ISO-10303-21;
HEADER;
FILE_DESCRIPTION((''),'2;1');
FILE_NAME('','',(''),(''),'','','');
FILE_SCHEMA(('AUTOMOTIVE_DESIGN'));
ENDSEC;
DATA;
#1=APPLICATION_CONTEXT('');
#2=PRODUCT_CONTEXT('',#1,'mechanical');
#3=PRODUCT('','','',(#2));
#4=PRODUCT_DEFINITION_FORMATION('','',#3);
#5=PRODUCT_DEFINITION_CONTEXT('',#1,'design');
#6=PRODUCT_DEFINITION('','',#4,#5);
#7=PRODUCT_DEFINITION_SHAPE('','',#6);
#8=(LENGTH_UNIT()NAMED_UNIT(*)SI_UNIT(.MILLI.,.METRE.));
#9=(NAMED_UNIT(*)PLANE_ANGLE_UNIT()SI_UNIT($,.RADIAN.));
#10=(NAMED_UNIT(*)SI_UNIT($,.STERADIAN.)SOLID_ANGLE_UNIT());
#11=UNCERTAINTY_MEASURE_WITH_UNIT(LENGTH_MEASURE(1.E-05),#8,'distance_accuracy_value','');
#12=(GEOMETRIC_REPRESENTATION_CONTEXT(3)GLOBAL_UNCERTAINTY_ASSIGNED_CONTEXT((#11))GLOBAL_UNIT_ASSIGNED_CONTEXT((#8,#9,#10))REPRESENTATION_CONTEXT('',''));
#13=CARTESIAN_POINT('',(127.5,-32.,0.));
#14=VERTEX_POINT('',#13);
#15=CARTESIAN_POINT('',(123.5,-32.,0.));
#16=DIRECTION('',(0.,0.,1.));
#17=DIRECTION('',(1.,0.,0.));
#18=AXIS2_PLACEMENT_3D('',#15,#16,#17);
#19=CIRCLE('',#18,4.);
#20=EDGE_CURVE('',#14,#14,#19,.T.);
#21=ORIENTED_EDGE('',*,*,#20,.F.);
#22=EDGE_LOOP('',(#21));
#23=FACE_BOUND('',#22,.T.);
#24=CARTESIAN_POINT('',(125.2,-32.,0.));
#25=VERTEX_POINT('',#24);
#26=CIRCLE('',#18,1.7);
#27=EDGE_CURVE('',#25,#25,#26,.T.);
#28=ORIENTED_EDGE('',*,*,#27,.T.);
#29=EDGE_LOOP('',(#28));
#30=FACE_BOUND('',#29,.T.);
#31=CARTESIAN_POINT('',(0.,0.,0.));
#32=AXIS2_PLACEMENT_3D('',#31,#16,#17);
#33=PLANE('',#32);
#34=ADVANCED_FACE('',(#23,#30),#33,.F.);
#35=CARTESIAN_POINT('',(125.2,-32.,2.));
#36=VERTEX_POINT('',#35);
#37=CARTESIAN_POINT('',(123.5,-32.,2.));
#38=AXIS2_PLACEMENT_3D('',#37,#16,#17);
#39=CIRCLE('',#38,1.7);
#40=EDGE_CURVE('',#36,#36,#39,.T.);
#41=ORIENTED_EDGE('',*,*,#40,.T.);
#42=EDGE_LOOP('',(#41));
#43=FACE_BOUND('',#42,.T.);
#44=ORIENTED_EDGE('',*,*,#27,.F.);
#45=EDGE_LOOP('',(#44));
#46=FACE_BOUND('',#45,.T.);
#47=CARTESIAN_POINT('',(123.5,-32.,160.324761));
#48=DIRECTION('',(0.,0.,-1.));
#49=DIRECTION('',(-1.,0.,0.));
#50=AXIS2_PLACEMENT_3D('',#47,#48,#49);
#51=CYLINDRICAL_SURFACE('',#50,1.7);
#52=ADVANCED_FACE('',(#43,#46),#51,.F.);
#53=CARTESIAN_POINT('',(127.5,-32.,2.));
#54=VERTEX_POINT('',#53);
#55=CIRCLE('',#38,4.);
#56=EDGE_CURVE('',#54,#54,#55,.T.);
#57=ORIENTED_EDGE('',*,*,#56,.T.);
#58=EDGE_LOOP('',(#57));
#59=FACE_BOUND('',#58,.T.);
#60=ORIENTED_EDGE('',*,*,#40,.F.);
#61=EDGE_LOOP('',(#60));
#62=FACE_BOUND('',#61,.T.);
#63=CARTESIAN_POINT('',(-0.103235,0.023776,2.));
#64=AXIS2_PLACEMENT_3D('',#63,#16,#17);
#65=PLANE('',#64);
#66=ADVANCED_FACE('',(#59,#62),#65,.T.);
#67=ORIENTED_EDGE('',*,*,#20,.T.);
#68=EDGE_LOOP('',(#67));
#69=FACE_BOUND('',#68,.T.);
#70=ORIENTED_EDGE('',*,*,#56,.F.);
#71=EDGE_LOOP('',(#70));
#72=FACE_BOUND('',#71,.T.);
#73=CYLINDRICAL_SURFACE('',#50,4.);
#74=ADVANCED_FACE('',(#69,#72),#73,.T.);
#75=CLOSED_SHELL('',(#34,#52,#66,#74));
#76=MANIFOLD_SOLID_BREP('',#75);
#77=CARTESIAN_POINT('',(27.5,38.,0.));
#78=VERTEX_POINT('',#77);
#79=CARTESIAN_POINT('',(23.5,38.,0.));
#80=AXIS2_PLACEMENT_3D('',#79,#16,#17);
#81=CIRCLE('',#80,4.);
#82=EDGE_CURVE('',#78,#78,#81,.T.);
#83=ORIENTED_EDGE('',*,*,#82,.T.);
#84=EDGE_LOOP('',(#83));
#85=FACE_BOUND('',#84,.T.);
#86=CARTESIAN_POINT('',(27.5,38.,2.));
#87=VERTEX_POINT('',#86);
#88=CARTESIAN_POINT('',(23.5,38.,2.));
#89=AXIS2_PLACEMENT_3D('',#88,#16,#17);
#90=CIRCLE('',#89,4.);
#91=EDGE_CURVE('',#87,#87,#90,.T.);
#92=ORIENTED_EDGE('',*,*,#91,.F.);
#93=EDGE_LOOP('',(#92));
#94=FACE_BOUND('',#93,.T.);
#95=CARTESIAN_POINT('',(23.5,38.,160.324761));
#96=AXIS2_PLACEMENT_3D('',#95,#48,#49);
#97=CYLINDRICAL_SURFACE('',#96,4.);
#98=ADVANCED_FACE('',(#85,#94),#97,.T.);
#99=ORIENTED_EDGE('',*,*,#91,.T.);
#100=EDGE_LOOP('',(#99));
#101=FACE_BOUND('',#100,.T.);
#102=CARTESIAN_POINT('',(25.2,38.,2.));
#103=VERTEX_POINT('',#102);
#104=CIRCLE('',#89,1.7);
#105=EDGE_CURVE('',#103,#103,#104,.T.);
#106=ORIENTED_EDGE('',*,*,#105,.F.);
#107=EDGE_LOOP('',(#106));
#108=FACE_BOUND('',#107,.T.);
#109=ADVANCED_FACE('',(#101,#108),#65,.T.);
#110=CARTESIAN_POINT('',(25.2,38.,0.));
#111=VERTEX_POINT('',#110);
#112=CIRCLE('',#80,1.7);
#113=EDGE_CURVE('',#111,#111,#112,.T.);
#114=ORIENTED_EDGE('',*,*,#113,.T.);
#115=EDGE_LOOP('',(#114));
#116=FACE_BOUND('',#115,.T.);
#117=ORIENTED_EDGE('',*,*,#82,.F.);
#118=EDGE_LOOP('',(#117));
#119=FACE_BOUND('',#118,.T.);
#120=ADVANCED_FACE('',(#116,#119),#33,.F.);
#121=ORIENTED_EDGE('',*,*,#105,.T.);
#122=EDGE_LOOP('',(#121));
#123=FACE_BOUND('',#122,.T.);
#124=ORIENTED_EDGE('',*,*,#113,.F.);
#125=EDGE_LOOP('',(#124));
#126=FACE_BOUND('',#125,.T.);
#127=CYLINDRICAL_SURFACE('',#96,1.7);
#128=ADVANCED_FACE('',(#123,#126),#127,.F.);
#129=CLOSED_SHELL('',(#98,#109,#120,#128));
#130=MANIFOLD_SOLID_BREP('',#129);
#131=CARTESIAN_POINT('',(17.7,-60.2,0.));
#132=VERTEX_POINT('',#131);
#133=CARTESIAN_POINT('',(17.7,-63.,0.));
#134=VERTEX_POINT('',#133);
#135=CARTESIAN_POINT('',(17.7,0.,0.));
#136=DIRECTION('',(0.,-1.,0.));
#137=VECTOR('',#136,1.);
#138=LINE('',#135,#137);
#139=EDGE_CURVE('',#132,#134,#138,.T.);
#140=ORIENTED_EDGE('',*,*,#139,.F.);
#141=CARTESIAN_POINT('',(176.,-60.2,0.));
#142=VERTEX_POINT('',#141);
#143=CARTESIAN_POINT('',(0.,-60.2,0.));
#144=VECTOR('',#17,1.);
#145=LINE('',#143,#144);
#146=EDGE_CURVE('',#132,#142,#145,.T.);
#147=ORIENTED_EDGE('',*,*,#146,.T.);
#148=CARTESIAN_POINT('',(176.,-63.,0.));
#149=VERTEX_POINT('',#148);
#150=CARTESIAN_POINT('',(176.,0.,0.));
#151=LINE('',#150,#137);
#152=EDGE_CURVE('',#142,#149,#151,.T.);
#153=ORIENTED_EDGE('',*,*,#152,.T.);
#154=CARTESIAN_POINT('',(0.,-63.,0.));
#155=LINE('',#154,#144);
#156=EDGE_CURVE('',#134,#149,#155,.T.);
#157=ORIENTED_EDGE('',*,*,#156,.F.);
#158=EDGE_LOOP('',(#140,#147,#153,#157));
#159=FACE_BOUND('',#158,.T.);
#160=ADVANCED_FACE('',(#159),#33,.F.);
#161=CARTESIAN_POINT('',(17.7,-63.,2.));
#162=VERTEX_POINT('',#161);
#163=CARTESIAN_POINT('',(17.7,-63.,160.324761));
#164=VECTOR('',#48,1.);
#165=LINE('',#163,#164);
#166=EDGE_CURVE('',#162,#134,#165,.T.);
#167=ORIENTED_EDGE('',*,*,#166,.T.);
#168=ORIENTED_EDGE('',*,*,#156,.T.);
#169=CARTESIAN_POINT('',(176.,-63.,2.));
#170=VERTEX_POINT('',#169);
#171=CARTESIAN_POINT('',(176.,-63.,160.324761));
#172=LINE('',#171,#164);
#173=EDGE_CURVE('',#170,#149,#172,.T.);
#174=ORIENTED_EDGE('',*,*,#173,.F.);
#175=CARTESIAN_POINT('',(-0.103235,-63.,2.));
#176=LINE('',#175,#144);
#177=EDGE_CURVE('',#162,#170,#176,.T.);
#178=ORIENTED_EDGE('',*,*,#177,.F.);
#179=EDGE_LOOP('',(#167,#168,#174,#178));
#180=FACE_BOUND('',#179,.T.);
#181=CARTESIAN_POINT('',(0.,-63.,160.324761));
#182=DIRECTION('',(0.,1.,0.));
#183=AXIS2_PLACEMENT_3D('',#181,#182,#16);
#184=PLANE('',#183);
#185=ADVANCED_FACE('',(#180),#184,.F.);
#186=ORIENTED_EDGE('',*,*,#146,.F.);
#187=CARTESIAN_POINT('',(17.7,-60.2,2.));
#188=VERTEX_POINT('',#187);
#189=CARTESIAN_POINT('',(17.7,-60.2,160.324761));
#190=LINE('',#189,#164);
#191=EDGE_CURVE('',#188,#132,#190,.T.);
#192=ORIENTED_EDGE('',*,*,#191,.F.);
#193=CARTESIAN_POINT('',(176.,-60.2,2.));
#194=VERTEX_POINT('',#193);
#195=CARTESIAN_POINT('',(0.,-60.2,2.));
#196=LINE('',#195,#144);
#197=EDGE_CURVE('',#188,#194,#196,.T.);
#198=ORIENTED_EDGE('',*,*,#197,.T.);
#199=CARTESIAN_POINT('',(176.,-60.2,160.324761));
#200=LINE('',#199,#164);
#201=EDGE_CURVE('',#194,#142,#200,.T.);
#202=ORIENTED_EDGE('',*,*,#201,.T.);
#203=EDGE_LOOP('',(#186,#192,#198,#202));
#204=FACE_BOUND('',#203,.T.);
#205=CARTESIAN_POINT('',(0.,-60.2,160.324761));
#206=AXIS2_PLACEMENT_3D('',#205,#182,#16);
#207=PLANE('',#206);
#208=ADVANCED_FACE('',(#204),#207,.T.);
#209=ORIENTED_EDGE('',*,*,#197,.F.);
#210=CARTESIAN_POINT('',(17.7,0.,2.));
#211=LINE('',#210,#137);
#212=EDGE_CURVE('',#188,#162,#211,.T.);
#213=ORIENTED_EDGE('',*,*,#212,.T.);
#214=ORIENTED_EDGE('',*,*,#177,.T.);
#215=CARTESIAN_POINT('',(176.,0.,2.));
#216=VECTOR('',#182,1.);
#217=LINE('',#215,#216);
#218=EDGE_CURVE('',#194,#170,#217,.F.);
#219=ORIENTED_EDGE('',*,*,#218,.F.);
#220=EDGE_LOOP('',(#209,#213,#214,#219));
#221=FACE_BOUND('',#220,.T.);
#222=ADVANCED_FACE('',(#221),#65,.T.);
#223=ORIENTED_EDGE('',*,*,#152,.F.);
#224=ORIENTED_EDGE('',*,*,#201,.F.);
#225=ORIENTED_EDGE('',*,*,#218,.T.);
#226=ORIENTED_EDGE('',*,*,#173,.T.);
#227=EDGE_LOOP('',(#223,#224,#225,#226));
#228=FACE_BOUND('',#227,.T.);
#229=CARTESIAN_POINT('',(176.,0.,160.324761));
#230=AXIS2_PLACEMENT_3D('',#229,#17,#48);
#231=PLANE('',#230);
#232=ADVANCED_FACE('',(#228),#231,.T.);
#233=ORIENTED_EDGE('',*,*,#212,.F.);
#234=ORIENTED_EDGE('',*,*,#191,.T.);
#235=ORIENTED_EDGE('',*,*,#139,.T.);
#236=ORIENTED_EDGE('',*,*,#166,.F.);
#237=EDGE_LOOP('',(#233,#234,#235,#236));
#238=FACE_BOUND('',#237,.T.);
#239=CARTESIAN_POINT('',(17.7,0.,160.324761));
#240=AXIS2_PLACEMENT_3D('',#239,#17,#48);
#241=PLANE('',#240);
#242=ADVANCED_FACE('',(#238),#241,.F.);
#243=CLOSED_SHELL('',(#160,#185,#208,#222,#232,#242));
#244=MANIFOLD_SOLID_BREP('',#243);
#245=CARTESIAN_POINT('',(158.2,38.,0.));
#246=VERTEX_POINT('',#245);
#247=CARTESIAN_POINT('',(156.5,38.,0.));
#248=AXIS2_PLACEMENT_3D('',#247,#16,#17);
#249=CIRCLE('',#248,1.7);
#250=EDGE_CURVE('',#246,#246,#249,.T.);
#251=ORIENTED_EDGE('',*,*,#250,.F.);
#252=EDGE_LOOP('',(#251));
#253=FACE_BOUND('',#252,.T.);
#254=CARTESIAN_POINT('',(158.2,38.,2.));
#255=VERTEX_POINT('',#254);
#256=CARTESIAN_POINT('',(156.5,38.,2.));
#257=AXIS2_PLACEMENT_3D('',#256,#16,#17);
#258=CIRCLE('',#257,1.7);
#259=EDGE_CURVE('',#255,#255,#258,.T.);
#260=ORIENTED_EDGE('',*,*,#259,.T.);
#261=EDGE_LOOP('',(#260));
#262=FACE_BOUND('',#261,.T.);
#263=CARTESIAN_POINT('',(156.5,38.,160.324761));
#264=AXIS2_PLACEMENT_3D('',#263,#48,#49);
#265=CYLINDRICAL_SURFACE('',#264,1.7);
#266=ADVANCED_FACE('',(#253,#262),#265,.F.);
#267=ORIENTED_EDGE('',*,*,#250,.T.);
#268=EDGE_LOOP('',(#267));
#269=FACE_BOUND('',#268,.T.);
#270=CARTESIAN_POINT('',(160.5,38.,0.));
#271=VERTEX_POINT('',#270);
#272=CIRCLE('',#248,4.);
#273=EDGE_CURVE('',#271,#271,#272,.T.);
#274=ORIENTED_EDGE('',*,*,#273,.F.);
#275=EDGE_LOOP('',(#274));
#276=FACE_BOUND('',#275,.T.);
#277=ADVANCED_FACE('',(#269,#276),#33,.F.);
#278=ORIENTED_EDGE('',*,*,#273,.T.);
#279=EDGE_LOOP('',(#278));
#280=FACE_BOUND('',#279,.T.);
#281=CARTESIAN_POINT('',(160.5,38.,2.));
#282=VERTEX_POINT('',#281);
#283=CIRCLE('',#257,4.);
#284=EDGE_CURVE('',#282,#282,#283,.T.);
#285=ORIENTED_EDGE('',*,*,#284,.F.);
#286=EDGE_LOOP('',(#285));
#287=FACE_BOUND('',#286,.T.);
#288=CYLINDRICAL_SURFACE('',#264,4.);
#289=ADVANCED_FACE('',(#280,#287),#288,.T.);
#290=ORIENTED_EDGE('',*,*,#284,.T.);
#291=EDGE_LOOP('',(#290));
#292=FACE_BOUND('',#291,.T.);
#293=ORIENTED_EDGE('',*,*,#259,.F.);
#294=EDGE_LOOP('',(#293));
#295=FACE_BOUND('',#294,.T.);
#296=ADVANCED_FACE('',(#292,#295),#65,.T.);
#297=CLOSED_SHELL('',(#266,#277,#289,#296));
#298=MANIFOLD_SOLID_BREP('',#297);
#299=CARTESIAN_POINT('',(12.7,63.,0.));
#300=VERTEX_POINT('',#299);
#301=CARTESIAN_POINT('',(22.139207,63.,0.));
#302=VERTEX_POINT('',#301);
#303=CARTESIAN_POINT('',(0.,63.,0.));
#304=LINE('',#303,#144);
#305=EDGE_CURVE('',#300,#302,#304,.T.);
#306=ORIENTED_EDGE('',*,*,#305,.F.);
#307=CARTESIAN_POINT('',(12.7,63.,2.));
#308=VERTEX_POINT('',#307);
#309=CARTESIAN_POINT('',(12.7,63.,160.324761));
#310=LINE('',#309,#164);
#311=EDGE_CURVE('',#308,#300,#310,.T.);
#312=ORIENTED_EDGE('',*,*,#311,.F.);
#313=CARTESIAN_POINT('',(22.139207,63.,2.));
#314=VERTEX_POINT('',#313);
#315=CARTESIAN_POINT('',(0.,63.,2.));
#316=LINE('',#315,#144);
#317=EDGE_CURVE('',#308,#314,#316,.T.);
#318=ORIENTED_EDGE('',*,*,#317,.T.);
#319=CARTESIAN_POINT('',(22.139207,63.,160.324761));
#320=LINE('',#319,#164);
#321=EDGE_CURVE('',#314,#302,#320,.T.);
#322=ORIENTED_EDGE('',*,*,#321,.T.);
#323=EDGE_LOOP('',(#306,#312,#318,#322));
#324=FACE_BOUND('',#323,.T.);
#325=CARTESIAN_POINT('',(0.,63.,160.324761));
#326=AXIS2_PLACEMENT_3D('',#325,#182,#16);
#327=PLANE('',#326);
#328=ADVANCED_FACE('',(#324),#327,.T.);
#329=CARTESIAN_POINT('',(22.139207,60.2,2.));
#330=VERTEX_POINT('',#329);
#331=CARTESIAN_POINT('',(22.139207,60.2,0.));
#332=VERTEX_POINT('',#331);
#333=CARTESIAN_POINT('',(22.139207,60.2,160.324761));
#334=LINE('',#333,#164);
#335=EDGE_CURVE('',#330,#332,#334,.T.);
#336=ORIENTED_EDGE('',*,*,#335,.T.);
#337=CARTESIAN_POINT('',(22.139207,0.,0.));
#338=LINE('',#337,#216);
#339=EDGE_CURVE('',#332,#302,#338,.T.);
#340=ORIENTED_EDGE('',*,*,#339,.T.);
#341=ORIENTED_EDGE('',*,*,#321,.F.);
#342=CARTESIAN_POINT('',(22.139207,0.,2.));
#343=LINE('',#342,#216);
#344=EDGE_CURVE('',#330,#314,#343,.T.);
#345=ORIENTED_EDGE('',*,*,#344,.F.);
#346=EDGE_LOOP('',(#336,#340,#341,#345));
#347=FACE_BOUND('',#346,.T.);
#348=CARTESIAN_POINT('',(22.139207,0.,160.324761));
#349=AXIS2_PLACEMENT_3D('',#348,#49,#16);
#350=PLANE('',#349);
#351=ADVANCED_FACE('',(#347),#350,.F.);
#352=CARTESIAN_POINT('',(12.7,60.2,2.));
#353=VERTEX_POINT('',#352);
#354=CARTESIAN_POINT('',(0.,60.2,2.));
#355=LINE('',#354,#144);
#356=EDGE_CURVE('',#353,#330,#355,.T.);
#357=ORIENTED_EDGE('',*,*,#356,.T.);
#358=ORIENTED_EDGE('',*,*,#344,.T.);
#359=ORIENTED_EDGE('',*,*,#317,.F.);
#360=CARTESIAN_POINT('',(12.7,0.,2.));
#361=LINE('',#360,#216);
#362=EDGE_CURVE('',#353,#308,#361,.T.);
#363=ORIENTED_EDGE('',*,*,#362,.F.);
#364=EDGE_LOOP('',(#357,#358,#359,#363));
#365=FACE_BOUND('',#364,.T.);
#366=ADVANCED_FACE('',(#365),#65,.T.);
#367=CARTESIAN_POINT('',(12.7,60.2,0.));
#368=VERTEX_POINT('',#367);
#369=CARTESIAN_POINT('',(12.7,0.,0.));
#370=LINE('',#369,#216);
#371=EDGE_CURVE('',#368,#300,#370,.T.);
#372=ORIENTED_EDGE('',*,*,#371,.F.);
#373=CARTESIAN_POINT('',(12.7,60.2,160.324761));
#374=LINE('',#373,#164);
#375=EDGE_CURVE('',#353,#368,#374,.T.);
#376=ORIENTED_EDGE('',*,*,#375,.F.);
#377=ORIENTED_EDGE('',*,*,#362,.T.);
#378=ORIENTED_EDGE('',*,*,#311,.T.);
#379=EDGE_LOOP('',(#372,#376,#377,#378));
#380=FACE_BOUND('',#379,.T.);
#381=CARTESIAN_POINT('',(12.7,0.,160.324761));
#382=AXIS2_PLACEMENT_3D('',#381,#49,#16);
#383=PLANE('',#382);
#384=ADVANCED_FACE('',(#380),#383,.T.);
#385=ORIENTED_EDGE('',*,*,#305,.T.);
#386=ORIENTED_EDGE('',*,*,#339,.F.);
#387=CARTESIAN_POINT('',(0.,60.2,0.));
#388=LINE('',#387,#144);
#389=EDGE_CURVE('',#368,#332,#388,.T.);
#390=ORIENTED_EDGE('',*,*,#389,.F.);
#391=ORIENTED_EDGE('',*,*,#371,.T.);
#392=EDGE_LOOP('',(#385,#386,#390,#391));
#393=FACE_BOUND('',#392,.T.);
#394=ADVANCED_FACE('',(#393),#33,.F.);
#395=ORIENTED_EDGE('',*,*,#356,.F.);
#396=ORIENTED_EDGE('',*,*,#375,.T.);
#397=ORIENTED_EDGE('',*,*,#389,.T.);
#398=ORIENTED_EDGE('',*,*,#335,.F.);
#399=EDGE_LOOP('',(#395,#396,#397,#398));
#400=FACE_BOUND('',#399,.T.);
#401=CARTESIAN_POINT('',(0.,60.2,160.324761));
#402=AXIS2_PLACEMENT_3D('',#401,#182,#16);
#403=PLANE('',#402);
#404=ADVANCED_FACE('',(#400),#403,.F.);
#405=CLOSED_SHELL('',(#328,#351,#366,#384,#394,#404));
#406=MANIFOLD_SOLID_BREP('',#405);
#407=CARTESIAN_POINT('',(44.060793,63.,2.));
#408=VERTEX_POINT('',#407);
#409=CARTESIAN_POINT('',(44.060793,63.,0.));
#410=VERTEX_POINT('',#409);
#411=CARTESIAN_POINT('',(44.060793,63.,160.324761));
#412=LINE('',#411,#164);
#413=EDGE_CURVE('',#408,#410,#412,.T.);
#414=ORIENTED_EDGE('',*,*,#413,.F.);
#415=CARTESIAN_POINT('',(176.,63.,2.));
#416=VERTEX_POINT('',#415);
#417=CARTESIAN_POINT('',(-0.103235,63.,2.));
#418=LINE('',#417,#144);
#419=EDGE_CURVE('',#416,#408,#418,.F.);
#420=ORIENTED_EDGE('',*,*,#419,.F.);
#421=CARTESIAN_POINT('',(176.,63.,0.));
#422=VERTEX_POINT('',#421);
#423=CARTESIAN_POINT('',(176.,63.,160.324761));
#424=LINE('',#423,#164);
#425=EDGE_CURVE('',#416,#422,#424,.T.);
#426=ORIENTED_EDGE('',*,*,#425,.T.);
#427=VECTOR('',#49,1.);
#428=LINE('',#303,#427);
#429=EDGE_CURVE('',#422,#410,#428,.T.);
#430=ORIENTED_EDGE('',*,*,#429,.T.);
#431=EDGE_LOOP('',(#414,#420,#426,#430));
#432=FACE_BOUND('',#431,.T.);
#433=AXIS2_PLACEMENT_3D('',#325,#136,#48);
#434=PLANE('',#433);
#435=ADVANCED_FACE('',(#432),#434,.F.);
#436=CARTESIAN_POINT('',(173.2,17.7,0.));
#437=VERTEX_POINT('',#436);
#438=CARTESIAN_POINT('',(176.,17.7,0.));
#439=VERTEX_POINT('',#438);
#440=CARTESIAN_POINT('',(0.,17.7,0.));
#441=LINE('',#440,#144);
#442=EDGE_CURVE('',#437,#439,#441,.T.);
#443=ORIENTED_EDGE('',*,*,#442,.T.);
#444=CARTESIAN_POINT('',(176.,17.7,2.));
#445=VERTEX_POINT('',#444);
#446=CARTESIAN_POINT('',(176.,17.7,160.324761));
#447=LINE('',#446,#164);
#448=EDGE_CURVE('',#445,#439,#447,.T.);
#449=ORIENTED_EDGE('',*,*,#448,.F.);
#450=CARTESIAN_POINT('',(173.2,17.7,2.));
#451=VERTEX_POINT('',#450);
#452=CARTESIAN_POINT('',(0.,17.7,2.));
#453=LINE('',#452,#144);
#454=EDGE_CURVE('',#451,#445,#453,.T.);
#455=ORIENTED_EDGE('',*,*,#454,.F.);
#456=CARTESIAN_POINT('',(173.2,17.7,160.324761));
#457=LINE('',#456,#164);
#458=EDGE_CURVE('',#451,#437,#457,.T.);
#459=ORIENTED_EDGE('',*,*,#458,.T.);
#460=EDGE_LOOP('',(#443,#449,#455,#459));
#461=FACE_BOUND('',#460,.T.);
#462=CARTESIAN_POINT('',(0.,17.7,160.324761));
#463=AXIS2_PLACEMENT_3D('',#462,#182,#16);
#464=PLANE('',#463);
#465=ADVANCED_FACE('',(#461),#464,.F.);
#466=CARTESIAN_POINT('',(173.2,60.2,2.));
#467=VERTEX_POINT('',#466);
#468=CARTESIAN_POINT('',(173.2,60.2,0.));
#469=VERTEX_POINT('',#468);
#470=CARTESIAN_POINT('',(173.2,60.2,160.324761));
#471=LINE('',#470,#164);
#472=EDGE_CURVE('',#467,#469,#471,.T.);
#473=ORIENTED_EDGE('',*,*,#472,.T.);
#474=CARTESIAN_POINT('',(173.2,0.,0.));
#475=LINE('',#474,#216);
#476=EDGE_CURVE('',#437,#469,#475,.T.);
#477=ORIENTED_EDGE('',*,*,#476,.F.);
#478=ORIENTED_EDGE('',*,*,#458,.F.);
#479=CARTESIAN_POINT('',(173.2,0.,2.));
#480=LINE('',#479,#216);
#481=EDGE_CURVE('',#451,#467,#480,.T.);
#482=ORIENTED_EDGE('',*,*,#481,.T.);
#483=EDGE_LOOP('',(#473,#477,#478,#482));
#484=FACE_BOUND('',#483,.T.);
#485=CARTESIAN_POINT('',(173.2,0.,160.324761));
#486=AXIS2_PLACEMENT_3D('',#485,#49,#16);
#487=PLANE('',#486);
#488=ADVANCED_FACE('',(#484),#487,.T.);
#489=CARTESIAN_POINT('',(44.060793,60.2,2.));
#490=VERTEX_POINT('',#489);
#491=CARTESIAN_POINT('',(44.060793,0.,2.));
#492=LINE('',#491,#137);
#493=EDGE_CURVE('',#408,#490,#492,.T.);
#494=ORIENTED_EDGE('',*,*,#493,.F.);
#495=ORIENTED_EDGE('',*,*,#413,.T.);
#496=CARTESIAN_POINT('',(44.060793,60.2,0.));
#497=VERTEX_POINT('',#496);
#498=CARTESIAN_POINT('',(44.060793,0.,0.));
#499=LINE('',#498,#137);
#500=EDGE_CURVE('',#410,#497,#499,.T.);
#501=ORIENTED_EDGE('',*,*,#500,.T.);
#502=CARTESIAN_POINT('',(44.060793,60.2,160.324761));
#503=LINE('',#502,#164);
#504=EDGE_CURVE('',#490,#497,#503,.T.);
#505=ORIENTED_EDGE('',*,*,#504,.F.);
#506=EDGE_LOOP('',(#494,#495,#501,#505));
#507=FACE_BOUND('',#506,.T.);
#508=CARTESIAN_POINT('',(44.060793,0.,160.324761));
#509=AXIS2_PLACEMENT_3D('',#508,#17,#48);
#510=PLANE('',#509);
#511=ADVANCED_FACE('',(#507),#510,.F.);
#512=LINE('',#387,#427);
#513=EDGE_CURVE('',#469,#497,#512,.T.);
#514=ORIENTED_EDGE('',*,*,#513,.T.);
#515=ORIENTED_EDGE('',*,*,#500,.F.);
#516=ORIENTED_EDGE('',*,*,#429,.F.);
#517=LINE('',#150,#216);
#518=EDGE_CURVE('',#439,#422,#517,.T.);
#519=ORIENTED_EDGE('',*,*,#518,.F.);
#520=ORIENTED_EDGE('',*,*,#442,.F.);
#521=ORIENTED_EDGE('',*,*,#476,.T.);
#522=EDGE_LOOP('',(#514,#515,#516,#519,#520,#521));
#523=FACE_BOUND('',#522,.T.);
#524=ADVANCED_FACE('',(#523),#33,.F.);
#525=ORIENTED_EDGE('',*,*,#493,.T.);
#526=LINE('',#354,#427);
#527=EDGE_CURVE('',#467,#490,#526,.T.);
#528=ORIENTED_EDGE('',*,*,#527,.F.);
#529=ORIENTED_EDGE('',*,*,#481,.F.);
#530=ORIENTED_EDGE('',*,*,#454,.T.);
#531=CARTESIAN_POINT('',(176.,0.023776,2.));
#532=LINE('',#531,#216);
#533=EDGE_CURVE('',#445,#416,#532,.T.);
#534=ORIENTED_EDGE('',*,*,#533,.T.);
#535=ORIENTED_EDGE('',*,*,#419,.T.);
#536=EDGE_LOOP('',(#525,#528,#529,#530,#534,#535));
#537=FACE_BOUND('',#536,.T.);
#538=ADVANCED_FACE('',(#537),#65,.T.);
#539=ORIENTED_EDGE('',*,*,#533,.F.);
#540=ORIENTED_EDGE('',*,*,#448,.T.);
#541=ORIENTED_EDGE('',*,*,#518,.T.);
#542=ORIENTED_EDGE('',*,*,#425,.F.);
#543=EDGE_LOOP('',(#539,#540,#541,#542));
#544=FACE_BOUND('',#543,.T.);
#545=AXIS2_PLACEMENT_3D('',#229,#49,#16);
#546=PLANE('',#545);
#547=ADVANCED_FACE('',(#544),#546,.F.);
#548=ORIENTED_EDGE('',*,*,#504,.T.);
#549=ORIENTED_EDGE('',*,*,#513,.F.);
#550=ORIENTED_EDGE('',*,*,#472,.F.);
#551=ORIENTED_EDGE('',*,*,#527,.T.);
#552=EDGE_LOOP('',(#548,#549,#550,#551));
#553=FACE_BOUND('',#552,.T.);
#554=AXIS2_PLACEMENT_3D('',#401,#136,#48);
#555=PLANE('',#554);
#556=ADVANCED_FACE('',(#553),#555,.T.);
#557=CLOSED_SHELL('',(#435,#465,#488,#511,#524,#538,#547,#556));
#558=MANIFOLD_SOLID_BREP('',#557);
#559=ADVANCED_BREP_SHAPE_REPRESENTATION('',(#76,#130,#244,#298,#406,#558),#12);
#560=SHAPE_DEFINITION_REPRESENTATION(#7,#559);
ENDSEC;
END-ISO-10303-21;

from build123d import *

# Parameters (mm, degrees)
SKETCH1_W           = 129.139207087
SKETCH1_H           = 2.8
SKETCH1_W_2         = 9.439207087
SKETCH1_R           = 4
SKETCH1_R_2         = 1.7
SKETCH1_W_3         = 2.8
SKETCH1_H_2         = 45.3
SKETCH1_W_4         = 158.3
BOSS_EXTRUDE1_DEPTH = 2


with BuildPart() as part:
    # Sketch1 → Boss-Extrude1 (new body)
    # profile 1 of 7: a face of its own
    with BuildSketch(Plane.XY):
        with Locations((108.630396457, 61.6)):
            Rectangle(SKETCH1_W, SKETCH1_H)
    # profile 2 of 7: a face of its own
    with BuildSketch(Plane.XY):
        with Locations((17.419603544, 61.6)):
            Rectangle(SKETCH1_W_2, SKETCH1_H)
    # profile 3 of 7: a face of its own
    with BuildSketch(Plane.XY):
        with Locations((23.5, 38)):
            Circle(SKETCH1_R)
        with Locations((23.5, 38)):
            Circle(SKETCH1_R_2, mode=Mode.SUBTRACT)
    # profile 4 of 7: a face of its own
    with BuildSketch(Plane.XY):
        with Locations((174.6, 40.35)):
            Rectangle(SKETCH1_W_3, SKETCH1_H_2)
    # profile 5 of 7: a face of its own
    with BuildSketch(Plane.XY):
        with Locations((156.5, 38)):
            Circle(SKETCH1_R)
        with Locations((156.5, 38)):
            Circle(SKETCH1_R_2, mode=Mode.SUBTRACT)
    # profile 6 of 7: a face of its own
    with BuildSketch(Plane.XY):
        with Locations((123.5, -32)):
            Circle(SKETCH1_R)
        with Locations((123.5, -32)):
            Circle(SKETCH1_R_2, mode=Mode.SUBTRACT)
    # profile 7 of 7: a face of its own
    with BuildSketch(Plane.XY):
        with Locations((96.85, -61.6)):
            Rectangle(SKETCH1_W_4, SKETCH1_H)
    extrude(amount=BOSS_EXTRUDE1_DEPTH)


solid = part.part
